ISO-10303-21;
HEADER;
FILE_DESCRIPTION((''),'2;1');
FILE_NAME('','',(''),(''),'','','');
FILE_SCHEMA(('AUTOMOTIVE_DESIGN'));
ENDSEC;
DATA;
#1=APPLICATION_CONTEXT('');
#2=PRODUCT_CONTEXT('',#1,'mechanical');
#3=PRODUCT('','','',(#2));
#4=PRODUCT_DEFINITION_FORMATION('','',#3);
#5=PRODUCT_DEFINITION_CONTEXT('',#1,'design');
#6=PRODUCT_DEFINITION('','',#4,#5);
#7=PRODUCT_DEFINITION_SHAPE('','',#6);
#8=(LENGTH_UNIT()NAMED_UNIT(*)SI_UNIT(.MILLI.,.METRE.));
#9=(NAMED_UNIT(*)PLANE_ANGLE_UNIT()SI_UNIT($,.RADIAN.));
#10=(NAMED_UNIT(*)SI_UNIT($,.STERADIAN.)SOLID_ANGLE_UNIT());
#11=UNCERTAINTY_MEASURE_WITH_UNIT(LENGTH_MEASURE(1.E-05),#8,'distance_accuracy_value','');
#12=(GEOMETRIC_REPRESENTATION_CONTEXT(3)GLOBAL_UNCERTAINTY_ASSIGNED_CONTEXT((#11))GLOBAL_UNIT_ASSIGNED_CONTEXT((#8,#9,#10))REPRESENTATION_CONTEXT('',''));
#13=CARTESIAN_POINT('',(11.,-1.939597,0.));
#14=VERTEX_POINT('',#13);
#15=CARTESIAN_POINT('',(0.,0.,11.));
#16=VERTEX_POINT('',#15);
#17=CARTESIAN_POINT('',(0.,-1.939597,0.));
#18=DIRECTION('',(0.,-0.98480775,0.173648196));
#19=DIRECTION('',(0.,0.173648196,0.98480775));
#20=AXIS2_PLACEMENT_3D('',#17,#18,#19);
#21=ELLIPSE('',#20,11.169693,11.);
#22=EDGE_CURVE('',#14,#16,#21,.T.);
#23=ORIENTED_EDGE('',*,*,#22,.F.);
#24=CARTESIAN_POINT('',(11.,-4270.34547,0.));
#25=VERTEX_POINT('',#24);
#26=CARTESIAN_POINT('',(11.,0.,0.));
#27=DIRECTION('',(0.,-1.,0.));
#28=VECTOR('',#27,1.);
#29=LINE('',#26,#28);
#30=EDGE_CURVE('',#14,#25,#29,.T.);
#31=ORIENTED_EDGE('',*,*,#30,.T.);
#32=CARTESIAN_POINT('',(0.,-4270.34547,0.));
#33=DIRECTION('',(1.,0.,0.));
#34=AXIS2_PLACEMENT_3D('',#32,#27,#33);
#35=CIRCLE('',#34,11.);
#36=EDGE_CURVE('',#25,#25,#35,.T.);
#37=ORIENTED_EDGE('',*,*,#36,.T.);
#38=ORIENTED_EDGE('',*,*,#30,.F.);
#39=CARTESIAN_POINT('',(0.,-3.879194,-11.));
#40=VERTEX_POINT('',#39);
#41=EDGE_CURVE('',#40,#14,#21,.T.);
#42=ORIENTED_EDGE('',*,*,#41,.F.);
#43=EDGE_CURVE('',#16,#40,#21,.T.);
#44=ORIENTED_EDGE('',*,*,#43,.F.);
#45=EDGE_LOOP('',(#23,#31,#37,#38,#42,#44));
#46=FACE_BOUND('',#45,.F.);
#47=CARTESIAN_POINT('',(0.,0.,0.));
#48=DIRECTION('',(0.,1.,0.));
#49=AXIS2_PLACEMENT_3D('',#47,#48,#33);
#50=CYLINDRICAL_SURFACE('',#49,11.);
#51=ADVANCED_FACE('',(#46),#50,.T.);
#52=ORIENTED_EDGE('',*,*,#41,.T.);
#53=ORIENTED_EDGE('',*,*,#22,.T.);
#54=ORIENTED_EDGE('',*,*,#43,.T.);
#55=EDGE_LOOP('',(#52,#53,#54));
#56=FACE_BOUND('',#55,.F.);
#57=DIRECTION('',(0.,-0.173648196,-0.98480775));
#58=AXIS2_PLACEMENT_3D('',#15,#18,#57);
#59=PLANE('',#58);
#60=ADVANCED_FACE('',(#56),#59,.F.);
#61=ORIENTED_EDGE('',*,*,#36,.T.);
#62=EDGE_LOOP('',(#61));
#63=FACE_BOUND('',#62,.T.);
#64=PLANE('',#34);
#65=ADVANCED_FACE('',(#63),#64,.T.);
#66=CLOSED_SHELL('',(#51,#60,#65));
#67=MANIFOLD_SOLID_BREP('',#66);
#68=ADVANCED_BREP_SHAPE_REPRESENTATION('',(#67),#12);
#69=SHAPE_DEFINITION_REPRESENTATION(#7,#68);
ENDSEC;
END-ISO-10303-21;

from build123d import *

# Parameters (mm, degrees)
F0_R     = 11
F1_DEPTH = 4270.34547
F3_DEPTH = 25


with BuildPart() as f1:
    # F0 (on Front) → F1 (new body)
    with BuildSketch(Plane.XZ):
        Circle(F0_R)
    extrude(amount=F1_DEPTH)

    # F2 (on Right) → F3 (cut, symmetric)
    with BuildSketch(Plane.YZ):
        Polygon((-3.879194, -11), (0, -11), (0, 11), align=None)
    extrude(amount=F3_DEPTH, both=True, mode=Mode.SUBTRACT)


solid = f1.part
